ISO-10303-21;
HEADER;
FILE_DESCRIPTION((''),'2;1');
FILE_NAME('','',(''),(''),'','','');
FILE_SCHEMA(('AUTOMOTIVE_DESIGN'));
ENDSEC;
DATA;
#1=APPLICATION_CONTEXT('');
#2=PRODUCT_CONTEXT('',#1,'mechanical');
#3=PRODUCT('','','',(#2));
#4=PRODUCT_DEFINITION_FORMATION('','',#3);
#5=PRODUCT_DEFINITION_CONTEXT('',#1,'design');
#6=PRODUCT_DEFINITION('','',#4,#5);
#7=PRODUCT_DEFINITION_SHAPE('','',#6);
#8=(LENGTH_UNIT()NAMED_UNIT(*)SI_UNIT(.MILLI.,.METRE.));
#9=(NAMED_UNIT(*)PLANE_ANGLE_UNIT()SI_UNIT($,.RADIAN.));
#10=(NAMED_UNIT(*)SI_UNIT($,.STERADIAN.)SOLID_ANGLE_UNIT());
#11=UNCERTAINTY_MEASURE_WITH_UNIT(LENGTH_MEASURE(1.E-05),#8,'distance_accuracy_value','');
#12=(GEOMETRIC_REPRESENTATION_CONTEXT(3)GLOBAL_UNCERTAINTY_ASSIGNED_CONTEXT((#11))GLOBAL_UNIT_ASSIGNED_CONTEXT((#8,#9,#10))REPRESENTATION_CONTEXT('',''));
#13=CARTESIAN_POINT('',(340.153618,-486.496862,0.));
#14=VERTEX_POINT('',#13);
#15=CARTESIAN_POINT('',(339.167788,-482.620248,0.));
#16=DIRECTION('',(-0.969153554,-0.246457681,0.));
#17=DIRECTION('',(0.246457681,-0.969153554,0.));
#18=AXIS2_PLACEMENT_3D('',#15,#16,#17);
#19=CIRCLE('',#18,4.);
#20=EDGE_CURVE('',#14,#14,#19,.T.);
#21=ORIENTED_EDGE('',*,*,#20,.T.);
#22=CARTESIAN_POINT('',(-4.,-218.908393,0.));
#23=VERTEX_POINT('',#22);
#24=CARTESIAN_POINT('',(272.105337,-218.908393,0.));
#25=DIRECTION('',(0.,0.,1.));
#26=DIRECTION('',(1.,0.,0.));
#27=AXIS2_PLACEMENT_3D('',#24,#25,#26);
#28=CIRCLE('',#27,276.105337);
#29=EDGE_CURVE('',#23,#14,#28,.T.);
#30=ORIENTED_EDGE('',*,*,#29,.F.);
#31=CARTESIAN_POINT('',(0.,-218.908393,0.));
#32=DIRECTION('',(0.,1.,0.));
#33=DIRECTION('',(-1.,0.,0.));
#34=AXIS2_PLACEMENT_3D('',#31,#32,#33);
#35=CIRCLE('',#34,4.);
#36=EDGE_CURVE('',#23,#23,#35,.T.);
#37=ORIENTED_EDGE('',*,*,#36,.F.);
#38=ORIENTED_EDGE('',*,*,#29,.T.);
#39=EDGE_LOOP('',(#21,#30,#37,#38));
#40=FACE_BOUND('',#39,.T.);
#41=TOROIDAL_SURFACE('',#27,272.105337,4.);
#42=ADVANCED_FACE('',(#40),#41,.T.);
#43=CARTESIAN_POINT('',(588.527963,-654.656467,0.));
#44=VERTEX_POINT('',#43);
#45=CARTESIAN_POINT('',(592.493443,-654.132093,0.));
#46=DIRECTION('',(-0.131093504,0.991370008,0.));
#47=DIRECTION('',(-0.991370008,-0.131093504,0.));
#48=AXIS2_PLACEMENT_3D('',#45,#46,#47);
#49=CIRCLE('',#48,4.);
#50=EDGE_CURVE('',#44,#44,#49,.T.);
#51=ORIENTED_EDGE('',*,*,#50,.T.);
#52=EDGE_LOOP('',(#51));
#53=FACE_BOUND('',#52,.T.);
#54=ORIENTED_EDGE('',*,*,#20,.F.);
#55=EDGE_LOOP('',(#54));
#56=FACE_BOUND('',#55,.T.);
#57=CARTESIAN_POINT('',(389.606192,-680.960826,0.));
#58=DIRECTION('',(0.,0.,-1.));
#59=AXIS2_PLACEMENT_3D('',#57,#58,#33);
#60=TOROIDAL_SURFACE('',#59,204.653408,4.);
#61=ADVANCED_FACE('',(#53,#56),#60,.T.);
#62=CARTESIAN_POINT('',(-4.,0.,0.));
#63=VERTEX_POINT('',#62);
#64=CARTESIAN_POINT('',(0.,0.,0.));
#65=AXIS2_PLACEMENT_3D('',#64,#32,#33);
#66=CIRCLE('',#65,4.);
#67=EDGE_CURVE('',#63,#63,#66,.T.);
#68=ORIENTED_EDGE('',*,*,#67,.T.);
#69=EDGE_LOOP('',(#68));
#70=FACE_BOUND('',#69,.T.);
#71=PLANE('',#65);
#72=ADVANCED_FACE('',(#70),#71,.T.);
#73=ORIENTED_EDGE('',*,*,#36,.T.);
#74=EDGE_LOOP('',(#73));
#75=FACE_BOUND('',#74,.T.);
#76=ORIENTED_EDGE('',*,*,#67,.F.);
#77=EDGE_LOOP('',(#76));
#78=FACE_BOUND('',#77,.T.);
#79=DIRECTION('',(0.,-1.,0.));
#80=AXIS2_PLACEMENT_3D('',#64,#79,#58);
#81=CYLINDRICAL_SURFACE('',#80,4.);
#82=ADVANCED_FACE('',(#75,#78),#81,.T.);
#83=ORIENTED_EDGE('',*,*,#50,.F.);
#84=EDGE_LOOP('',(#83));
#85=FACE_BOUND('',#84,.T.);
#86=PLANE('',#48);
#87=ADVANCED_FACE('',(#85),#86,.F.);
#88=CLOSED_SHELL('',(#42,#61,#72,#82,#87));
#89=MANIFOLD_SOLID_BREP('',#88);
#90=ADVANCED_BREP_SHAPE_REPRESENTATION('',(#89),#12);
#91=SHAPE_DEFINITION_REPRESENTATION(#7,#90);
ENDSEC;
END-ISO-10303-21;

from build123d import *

# Parameters (mm, degrees)
SWEEP1_PROFILE_R = 4


with BuildPart() as part:
    # Sweep1: sweep along a path in Sketch1
    with BuildLine(Plane.XY) as sweep1_path:
        Line((0, 0), (0, -218.908393303))
        ThreePointArc((0, -218.908393303), (105.082488663, -433.72152748), (339.167787572, -482.620248049))
        ThreePointArc((339.167787572, -482.620248049), (504.341718041, -511.494674523), (592.493442577, -654.132093429))
    # Sweep1 profile (on start of the path) → Sweep1 (sweep)
    with BuildSketch(Plane(origin=(0, 0, 0), x_dir=(0, 0, -1), z_dir=(0, -1, 0))):
        Circle(SWEEP1_PROFILE_R)
    sweep(path=sweep1_path.line)


solid = part.part
